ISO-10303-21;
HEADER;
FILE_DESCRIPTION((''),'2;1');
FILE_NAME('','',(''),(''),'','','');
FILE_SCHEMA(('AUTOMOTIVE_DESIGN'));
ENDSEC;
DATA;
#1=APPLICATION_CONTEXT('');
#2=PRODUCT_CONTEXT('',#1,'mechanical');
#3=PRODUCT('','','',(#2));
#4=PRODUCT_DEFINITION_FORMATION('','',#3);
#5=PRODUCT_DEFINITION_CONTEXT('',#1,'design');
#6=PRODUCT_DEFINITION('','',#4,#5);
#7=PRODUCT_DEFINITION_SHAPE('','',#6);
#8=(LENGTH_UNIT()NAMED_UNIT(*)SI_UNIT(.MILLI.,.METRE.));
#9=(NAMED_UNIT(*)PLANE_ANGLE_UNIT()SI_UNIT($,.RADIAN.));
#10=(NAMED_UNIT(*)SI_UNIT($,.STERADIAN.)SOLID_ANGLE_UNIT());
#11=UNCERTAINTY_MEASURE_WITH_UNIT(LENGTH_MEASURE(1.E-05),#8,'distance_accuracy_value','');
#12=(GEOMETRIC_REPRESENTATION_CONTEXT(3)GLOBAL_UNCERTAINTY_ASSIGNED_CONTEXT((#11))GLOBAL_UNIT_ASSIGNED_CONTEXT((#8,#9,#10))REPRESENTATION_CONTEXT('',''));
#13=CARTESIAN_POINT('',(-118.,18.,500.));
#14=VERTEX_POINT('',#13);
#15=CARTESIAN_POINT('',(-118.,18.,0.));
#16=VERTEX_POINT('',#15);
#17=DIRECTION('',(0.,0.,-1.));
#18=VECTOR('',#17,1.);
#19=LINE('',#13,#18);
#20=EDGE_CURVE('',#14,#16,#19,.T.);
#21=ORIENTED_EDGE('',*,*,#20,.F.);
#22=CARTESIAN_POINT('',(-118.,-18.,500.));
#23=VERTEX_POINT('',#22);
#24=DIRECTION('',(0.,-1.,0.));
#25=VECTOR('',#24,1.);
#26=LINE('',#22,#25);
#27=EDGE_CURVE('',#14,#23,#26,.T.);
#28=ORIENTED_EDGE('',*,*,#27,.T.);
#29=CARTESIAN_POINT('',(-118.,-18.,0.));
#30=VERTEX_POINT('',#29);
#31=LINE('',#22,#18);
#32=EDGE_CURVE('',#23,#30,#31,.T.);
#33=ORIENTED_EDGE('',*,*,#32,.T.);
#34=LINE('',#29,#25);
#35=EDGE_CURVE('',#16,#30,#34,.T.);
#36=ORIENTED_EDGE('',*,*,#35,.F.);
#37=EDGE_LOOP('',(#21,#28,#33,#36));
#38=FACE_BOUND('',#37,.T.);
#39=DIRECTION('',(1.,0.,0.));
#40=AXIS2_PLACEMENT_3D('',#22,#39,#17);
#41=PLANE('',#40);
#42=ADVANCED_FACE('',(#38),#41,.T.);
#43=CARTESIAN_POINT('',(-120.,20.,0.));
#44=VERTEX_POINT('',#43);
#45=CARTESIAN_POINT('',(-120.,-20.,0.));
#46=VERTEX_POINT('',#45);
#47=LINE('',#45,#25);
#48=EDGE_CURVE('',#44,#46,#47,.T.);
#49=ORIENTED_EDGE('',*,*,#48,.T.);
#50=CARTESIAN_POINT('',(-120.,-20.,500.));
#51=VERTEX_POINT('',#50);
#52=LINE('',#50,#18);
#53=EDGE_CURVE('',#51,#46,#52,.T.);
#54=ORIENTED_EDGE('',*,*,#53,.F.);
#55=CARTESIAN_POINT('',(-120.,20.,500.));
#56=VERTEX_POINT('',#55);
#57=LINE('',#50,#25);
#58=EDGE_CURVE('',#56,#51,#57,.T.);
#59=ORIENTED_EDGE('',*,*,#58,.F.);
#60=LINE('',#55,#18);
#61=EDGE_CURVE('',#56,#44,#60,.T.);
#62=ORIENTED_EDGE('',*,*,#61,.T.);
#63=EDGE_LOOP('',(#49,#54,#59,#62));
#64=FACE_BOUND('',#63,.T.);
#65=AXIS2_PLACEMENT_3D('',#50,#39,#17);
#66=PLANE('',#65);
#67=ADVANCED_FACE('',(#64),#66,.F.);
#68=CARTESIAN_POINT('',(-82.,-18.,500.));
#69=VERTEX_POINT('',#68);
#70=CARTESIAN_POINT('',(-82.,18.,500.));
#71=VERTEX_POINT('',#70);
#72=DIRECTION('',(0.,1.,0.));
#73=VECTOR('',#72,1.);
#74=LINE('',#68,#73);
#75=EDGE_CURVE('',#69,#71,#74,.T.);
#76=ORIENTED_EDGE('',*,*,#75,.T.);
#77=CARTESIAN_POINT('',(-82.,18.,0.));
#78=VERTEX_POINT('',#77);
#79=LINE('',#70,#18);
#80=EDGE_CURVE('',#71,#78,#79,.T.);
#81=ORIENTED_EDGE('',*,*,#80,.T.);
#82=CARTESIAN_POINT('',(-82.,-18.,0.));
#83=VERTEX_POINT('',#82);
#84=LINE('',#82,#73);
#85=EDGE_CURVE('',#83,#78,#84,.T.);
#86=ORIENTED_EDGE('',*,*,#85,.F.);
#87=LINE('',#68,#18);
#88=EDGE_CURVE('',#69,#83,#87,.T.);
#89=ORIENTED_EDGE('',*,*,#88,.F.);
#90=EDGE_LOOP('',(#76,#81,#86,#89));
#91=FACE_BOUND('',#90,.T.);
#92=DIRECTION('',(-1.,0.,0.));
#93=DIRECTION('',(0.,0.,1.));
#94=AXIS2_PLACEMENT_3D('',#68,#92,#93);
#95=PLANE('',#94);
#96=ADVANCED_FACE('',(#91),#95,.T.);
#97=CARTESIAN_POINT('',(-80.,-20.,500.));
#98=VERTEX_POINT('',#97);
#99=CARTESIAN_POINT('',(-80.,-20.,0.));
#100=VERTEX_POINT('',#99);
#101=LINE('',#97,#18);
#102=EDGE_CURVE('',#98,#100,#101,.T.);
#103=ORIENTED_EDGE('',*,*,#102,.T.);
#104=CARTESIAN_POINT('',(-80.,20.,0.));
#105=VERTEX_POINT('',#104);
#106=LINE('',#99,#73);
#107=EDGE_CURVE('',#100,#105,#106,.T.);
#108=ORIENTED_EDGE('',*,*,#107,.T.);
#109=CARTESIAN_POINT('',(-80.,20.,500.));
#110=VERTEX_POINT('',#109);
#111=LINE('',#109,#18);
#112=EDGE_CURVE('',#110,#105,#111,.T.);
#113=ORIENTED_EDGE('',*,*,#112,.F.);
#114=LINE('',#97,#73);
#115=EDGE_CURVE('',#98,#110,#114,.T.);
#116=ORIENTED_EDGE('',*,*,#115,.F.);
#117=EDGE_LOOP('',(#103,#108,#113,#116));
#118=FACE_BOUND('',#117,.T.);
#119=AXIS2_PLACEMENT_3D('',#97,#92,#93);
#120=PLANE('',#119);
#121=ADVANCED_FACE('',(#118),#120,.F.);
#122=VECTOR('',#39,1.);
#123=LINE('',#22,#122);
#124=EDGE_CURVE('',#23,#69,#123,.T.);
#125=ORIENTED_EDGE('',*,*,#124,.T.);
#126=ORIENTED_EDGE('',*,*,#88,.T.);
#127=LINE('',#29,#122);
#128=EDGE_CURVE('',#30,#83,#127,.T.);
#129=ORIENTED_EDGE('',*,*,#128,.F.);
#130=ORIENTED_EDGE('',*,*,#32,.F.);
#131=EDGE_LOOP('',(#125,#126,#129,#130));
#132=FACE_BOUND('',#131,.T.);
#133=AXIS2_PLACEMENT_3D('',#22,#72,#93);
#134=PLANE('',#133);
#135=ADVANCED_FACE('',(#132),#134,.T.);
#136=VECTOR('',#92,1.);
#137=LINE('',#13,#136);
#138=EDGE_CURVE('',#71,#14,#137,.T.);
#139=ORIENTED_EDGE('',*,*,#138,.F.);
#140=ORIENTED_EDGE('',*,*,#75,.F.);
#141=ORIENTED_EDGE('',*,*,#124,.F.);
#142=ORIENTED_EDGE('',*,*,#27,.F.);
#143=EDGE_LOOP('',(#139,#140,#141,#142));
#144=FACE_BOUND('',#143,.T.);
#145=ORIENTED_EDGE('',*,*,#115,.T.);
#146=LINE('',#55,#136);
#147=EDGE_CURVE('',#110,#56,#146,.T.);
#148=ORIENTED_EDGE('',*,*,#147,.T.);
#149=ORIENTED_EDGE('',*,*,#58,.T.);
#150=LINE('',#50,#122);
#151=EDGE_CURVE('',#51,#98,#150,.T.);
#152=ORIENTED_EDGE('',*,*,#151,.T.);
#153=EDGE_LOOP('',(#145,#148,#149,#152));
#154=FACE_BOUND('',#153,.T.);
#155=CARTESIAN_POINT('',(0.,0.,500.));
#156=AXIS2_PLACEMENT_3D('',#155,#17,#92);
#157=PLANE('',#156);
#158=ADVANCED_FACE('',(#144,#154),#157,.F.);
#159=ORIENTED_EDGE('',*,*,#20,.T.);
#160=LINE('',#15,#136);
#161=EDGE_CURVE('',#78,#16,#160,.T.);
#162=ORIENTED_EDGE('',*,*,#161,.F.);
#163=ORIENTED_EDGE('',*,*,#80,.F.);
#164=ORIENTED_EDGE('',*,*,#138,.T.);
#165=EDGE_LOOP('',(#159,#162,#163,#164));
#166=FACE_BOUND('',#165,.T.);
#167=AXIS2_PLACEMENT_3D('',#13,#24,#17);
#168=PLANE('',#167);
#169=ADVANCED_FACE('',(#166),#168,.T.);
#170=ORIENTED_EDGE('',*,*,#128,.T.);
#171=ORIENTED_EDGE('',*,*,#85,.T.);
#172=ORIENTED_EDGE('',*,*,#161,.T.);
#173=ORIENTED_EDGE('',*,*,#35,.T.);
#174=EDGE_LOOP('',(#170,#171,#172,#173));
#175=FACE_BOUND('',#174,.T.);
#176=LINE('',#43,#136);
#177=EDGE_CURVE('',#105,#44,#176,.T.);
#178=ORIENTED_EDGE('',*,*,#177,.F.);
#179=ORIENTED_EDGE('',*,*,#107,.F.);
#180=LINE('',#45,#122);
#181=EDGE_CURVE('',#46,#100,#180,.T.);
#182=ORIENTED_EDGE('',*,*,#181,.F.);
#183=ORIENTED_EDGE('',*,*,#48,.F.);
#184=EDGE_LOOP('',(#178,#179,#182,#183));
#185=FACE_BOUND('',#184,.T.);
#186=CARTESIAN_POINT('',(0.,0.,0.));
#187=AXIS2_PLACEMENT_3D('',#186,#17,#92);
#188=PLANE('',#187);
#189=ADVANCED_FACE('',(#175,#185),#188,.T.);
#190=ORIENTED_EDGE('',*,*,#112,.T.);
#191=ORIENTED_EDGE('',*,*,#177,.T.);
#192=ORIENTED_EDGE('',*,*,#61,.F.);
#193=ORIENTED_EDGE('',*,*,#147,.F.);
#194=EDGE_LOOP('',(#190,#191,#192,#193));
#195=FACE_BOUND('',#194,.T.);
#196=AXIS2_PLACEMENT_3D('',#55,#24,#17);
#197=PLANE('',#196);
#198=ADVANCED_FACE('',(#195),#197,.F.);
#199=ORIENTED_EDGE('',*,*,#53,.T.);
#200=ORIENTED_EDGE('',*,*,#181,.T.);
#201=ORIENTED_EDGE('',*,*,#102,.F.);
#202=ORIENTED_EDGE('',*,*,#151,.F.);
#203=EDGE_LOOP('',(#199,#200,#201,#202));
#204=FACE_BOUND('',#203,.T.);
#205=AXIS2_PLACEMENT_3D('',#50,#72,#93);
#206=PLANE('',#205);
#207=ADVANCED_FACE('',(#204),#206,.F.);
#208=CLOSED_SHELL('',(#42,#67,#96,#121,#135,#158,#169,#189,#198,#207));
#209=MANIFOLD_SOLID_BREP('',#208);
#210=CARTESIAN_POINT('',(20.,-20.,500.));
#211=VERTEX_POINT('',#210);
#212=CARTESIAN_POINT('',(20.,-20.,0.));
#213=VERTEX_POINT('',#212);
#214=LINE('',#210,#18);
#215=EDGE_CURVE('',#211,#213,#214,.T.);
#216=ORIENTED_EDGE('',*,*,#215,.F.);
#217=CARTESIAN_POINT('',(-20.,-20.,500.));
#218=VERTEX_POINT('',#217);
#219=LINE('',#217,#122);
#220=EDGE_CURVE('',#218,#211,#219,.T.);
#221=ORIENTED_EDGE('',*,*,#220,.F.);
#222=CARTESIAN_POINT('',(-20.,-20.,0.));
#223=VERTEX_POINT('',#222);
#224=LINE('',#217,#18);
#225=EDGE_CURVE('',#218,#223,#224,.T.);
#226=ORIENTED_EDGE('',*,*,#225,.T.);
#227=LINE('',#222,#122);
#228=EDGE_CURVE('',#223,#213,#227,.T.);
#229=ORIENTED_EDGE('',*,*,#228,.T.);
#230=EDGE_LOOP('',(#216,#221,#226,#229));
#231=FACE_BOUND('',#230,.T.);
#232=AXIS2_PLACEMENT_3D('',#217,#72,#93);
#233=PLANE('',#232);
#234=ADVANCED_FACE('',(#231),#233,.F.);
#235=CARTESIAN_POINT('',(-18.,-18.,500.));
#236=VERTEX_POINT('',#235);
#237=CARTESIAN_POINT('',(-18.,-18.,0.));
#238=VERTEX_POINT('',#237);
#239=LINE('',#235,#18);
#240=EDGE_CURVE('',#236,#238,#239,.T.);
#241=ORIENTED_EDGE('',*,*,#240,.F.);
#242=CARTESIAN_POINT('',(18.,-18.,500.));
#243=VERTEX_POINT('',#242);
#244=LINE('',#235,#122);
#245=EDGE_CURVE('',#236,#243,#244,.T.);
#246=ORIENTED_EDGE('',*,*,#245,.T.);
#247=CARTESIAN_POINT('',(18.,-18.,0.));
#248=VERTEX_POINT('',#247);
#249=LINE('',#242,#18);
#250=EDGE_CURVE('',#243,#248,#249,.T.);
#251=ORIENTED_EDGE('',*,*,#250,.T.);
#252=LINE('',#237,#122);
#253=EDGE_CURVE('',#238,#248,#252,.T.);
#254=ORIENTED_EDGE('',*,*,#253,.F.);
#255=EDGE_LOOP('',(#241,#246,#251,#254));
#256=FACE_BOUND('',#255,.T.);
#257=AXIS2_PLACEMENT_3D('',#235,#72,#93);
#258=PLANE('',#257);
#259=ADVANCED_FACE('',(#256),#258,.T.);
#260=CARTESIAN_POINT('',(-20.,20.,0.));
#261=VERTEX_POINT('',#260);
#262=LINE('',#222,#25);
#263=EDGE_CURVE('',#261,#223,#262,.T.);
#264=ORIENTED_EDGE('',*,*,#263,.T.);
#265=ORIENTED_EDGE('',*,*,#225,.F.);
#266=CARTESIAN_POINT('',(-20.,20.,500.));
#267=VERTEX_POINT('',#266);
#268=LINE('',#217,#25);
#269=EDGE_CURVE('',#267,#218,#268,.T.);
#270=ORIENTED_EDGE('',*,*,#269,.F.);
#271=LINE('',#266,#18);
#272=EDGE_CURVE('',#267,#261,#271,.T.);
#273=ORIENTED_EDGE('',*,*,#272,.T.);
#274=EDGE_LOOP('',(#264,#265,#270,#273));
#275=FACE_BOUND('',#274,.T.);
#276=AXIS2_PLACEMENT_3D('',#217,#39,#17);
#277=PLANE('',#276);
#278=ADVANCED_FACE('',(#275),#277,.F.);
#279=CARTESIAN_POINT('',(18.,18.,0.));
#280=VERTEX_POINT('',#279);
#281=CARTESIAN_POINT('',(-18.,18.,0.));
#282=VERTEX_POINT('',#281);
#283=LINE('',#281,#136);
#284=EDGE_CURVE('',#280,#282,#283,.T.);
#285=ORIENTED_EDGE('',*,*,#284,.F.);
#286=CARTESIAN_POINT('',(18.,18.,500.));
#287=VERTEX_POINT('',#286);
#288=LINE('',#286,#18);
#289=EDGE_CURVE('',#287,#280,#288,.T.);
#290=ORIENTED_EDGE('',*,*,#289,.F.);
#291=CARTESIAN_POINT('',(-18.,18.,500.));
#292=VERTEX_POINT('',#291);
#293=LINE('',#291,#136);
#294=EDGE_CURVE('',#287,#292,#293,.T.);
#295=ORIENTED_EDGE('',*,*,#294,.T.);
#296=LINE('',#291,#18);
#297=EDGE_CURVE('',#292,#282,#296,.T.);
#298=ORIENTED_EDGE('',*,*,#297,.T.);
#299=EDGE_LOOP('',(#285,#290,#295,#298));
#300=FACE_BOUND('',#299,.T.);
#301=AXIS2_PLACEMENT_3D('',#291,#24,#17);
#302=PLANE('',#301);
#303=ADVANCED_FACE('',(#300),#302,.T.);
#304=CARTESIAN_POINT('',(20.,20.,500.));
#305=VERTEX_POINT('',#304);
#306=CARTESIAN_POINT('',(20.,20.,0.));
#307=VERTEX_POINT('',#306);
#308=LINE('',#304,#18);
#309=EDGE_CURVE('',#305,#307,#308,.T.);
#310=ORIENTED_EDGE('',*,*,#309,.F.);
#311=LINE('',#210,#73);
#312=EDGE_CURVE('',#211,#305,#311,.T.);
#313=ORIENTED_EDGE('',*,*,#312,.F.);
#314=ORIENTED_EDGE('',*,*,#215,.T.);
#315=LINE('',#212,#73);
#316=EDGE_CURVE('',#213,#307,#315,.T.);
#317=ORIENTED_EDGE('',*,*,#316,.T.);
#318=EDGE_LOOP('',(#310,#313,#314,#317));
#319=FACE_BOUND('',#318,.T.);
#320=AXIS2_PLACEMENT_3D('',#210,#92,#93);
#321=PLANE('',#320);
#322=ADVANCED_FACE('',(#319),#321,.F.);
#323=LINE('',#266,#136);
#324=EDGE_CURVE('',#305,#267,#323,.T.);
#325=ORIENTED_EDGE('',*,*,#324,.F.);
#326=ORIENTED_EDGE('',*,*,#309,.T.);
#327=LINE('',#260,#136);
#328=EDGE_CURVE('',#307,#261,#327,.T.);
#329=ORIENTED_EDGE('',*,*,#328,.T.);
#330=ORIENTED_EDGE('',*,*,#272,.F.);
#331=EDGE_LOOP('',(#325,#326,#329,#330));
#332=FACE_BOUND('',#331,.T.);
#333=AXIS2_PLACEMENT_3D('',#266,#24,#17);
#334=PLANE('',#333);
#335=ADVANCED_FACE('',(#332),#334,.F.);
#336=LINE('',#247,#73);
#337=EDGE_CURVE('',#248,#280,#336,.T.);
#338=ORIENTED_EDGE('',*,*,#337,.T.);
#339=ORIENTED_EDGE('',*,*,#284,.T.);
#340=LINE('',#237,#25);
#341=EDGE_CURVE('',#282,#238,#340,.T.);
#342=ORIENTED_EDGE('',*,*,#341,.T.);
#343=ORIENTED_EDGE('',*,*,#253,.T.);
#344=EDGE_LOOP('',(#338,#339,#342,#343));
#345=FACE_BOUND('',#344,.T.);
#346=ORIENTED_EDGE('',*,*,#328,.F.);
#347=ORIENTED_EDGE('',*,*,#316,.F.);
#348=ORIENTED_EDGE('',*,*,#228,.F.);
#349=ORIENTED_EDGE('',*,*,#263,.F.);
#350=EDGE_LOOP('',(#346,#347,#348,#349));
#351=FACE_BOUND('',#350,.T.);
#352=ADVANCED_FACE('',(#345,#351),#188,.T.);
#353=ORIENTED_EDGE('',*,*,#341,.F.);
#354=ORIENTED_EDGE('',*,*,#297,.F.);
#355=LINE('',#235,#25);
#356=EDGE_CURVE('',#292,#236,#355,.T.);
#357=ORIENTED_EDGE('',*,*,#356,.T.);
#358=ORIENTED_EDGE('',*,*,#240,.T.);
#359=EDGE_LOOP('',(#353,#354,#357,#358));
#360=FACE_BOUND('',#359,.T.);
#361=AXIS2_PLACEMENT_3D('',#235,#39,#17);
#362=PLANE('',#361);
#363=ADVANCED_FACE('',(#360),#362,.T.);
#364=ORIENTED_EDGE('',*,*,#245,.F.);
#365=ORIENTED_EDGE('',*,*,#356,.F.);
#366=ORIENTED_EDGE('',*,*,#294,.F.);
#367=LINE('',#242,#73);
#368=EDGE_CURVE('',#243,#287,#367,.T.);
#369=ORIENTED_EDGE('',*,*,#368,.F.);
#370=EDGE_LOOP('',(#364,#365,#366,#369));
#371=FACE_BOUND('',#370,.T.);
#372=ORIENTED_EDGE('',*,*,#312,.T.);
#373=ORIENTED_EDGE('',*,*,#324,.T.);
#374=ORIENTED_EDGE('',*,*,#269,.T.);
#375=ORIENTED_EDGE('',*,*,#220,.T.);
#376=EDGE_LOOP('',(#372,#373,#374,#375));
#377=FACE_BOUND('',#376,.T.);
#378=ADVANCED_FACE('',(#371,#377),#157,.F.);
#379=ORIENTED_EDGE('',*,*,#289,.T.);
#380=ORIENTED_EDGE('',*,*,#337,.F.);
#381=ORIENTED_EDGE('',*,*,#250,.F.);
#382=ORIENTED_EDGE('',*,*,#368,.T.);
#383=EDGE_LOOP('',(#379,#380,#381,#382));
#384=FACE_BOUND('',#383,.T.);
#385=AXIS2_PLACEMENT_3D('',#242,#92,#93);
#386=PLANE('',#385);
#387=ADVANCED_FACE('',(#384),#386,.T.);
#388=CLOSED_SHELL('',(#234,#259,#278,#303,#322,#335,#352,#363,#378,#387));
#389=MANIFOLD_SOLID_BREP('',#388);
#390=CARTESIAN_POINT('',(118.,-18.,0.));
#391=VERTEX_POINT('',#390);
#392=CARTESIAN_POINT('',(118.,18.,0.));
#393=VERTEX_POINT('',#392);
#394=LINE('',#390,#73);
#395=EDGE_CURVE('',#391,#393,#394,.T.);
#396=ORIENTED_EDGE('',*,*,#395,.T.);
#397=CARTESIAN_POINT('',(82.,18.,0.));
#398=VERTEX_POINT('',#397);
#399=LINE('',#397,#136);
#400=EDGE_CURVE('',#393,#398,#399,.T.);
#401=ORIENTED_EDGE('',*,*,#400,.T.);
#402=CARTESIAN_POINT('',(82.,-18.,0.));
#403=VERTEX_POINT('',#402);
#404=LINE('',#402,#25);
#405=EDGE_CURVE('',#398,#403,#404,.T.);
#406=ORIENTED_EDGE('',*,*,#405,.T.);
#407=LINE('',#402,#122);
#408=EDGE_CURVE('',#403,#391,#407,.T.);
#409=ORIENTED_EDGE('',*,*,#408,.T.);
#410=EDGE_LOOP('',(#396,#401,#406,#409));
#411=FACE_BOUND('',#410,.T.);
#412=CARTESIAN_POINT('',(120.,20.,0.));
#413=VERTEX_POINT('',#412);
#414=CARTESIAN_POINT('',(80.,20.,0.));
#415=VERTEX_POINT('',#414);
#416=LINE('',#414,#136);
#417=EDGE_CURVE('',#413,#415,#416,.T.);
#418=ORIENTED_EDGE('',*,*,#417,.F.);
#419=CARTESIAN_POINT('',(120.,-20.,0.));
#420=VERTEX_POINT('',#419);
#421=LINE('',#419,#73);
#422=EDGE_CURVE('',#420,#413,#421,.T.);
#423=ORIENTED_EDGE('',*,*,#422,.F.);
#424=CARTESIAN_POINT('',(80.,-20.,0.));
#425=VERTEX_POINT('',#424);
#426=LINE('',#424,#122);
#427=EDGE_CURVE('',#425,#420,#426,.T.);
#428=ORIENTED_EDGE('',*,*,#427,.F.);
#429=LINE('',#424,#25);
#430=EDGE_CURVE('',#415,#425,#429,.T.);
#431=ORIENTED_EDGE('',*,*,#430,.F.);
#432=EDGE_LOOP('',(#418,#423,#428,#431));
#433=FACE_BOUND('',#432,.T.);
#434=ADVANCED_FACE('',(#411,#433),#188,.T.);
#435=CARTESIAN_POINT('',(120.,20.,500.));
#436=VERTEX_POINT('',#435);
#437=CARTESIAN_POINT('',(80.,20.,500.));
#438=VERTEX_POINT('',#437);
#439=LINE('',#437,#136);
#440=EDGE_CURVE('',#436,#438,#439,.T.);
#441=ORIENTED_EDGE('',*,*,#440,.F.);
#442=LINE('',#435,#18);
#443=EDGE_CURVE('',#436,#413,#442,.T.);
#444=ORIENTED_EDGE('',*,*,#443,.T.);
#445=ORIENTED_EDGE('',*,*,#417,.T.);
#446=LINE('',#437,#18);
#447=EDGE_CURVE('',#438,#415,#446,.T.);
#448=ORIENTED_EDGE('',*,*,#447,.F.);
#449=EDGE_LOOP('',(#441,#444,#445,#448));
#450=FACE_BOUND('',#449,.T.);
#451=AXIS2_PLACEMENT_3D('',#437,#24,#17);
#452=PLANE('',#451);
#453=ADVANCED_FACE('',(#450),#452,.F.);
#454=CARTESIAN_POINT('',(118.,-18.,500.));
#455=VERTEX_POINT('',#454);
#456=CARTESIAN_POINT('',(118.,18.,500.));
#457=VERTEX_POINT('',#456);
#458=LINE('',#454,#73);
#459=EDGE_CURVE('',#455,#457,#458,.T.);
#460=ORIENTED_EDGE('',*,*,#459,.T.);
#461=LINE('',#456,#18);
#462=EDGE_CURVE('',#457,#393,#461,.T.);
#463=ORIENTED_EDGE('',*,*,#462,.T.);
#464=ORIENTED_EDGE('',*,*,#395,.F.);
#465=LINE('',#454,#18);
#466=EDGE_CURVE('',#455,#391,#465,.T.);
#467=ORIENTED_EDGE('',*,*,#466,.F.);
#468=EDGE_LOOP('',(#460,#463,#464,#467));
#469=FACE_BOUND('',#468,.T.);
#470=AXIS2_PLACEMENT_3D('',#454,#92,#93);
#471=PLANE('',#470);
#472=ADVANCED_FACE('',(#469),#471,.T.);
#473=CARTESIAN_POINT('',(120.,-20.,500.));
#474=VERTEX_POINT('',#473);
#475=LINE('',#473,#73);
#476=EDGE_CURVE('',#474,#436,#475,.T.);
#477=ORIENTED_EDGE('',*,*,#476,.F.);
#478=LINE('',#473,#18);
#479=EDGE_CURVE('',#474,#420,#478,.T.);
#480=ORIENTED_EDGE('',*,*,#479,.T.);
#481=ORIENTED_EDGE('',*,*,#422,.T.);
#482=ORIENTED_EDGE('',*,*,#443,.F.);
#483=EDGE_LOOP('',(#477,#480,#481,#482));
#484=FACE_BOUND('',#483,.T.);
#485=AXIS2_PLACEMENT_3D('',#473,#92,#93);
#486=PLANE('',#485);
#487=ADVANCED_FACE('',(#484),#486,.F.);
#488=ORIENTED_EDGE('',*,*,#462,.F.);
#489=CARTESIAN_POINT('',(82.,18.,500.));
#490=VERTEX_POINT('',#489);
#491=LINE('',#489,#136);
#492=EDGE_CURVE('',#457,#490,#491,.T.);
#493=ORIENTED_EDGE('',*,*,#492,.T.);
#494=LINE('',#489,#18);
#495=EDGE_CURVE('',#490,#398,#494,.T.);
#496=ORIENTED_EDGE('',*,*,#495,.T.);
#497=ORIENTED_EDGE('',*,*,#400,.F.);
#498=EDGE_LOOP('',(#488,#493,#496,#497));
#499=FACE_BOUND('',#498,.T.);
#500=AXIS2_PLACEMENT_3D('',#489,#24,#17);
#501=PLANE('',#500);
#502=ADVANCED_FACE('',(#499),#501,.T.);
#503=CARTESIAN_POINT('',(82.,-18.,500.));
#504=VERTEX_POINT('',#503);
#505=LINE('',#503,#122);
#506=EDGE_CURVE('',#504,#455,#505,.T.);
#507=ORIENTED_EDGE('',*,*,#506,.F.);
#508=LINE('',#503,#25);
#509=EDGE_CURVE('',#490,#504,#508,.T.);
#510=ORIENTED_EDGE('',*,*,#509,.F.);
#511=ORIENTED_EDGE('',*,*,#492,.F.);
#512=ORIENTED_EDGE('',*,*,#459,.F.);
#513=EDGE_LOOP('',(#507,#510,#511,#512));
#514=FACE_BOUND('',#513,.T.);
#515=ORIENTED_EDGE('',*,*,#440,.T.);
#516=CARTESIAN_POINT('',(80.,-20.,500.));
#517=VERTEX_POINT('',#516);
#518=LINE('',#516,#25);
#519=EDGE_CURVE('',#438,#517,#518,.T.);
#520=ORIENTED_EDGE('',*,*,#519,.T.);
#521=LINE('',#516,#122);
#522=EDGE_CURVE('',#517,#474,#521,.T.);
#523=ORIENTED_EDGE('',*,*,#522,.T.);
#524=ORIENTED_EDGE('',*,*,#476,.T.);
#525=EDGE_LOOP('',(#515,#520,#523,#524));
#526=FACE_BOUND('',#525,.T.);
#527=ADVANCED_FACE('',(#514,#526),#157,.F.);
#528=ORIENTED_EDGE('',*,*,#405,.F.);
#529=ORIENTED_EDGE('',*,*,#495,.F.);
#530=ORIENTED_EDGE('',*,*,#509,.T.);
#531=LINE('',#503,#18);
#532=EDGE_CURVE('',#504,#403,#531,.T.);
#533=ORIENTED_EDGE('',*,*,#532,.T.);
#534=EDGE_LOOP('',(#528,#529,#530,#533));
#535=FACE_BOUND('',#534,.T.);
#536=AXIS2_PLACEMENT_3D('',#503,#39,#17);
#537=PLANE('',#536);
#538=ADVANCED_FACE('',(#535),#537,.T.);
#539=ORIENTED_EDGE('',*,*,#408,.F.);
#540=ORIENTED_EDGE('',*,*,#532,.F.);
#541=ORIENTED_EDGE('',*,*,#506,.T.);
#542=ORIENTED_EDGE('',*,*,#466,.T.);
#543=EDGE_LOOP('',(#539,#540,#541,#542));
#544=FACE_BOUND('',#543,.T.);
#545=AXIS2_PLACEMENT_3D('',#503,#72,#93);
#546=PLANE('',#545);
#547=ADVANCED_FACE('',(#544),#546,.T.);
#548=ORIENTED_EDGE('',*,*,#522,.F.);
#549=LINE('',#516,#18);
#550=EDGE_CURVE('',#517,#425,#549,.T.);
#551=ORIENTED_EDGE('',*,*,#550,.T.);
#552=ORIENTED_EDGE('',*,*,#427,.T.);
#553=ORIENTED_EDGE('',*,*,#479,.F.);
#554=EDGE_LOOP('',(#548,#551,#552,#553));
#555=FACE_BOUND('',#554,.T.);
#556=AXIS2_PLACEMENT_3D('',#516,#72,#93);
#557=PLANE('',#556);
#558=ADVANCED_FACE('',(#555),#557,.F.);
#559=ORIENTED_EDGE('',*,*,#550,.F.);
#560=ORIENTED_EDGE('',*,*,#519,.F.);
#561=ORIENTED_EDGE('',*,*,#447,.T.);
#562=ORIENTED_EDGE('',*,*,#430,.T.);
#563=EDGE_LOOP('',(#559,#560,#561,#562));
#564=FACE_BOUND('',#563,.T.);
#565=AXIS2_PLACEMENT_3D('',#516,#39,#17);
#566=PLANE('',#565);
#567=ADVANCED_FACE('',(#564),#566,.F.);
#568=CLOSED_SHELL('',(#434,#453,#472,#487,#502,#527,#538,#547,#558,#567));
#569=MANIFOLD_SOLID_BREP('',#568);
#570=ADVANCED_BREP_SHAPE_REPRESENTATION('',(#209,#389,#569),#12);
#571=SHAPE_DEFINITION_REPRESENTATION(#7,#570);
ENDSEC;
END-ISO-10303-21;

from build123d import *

# Parameters (mm, degrees)
SKETCH_1_W      = 40
SKETCH_1_H      = 40
SKETCH_1_W_2    = 36
SKETCH_1_H_2    = 36
EXTRUDE_1_DEPTH = 500
SKETCH_2_W      = 40
SKETCH_2_H      = 40
SKETCH_2_W_2    = 36
SKETCH_2_H_2    = 36
EXTRUDE_2_DEPTH = 500
SKETCH_3_W      = 40
SKETCH_3_H      = 40
SKETCH_3_W_2    = 36
SKETCH_3_H_2    = 36
EXTRUDE_3_DEPTH = 500


with BuildPart() as part:
    # Эскиз1 → Бобышка-Вытянуть1 (new body)
    with BuildSketch(Plane.XY):
        with Locations((-100, 0)):
            Rectangle(SKETCH_1_W, SKETCH_1_H)
        with Locations((-100, 0)):
            Rectangle(SKETCH_1_W_2, SKETCH_1_H_2, mode=Mode.SUBTRACT)
    extrude(amount=EXTRUDE_1_DEPTH)


with BuildPart() as body_2:
    # Эскиз2 → Бобышка-Вытянуть2 (new body)
    with BuildSketch(Plane.XY):
        Rectangle(SKETCH_2_W, SKETCH_2_H)
        Rectangle(SKETCH_2_W_2, SKETCH_2_H_2, mode=Mode.SUBTRACT)
    extrude(amount=EXTRUDE_2_DEPTH)


with BuildPart() as body_3:
    # Эскиз3 → Бобышка-Вытянуть3 (new body)
    with BuildSketch(Plane.XY):
        with Locations((100, 0)):
            Rectangle(SKETCH_3_W, SKETCH_3_H)
        with Locations((100, 0)):
            Rectangle(SKETCH_3_W_2, SKETCH_3_H_2, mode=Mode.SUBTRACT)
    extrude(amount=EXTRUDE_3_DEPTH)


solid = Compound([part.part, body_2.part, body_3.part])
